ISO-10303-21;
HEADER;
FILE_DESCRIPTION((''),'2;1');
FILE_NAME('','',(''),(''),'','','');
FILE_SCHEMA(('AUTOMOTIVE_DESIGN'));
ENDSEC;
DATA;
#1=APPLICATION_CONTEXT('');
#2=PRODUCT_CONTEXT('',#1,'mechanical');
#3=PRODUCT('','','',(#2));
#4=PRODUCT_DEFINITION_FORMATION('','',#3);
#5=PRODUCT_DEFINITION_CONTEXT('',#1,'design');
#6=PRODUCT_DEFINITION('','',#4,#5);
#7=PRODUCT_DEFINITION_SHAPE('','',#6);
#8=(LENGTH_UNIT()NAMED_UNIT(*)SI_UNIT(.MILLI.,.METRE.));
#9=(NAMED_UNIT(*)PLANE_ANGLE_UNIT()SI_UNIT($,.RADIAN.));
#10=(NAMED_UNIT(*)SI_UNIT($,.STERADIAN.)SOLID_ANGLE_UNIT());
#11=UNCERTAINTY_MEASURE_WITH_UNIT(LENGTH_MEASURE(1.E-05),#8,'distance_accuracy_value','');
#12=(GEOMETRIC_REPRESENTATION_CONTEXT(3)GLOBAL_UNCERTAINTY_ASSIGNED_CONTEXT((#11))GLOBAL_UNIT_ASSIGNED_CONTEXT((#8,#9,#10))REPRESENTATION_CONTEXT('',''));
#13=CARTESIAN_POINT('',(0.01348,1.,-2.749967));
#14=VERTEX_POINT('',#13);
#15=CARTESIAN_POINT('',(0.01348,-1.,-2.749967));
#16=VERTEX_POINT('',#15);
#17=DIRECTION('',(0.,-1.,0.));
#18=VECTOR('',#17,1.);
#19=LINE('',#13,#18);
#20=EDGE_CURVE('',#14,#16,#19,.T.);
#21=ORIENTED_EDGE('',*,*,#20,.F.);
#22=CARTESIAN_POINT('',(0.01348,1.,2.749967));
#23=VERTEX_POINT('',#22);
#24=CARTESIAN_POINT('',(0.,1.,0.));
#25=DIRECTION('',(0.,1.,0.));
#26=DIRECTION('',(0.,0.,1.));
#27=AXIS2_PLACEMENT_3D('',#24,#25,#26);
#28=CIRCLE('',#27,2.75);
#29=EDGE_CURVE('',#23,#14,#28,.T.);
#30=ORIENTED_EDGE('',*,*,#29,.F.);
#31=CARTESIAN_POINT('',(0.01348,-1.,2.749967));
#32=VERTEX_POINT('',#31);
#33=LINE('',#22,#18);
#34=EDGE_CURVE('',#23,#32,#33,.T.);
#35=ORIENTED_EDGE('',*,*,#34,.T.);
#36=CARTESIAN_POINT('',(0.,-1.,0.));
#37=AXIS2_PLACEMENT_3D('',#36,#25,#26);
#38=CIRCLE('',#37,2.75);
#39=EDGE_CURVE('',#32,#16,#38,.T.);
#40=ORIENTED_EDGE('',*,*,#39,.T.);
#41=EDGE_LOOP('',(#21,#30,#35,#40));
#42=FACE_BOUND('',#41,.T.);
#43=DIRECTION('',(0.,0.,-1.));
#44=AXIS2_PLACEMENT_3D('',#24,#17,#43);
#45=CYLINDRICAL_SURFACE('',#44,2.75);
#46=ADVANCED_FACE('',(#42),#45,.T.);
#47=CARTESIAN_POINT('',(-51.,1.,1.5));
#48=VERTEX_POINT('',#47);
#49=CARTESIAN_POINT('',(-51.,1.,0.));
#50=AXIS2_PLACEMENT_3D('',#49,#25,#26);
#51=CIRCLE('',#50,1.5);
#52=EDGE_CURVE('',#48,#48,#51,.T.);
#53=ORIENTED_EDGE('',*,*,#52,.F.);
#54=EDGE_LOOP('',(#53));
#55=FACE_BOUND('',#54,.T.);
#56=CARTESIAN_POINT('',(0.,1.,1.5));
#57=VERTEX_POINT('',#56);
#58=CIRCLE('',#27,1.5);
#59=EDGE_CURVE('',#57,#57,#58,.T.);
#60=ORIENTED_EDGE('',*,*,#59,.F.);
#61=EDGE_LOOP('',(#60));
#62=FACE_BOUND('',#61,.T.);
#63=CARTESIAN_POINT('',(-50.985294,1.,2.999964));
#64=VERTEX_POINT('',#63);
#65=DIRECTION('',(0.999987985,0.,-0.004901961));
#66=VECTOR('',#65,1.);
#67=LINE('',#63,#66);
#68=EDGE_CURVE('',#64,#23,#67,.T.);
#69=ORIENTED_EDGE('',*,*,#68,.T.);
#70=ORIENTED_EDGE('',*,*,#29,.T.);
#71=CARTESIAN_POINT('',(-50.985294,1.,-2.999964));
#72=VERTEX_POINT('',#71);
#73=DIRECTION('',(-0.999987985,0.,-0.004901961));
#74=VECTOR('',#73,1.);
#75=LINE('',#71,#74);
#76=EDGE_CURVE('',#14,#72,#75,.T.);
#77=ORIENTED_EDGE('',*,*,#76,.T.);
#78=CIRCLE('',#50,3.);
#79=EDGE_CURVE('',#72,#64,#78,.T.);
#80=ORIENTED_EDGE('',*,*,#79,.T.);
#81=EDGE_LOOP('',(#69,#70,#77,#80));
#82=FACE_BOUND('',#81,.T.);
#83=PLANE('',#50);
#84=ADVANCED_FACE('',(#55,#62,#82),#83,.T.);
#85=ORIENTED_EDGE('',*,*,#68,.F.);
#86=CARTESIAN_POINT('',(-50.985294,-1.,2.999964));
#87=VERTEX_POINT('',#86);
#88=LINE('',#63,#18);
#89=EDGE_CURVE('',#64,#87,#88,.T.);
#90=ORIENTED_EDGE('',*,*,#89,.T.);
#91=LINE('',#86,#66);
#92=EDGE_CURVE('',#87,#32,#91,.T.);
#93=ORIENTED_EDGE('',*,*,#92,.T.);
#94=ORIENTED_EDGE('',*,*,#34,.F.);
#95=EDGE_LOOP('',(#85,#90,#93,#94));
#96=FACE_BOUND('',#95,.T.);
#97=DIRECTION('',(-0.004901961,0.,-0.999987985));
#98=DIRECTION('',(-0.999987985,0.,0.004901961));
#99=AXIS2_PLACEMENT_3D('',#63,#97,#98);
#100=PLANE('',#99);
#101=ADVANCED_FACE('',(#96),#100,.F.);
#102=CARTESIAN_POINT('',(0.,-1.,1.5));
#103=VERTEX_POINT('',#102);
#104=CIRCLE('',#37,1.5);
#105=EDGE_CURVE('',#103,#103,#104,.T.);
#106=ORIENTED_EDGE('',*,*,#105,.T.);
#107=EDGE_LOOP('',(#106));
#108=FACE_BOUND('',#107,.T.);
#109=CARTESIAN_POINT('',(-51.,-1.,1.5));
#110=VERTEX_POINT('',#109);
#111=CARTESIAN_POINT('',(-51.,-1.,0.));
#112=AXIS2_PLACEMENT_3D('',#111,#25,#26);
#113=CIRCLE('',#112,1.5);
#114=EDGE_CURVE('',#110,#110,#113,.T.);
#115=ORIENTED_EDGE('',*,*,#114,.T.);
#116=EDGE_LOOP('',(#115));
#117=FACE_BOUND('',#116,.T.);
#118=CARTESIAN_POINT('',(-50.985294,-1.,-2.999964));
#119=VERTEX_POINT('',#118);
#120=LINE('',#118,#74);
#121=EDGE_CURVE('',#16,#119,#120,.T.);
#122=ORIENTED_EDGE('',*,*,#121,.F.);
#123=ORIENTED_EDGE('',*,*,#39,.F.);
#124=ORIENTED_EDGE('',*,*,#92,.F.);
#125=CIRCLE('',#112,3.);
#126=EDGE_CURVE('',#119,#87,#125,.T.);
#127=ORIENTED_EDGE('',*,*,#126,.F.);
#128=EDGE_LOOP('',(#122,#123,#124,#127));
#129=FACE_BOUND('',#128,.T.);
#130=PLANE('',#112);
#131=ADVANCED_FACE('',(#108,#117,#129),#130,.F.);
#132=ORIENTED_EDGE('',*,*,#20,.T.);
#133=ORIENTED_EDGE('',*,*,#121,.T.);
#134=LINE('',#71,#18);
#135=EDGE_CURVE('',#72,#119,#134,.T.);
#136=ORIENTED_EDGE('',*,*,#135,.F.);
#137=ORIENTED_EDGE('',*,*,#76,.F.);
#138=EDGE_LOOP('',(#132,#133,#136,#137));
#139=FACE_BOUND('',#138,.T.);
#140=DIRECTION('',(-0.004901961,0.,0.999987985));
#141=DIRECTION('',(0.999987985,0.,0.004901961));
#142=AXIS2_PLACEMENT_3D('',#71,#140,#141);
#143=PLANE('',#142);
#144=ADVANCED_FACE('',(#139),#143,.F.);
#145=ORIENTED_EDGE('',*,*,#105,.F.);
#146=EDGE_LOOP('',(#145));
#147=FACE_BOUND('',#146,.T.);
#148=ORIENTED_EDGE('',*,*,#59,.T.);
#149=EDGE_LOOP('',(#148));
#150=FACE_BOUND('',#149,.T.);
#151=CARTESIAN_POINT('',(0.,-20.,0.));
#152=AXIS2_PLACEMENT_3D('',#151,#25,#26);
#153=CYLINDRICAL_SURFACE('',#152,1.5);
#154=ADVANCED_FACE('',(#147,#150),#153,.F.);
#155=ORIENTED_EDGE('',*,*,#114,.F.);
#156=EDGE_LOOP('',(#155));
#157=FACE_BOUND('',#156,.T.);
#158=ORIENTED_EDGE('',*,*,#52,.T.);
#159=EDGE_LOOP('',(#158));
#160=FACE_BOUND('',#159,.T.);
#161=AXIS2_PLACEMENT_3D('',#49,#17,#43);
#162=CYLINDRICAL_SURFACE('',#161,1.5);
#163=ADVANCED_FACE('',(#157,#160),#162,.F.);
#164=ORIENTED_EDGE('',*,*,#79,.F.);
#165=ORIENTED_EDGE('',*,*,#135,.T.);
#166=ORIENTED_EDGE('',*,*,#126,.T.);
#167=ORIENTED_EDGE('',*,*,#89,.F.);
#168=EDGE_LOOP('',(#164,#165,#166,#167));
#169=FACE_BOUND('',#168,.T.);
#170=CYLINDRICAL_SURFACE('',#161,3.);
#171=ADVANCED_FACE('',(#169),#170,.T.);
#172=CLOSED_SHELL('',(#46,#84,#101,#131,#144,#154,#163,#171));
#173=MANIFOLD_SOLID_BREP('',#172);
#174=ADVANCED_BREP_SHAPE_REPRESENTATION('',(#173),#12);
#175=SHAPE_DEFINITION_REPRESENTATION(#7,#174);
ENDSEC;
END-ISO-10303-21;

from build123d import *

# Parameters (mm, degrees)
SKETCH1_R           = 1.5
BOSS_EXTRUDE1_DEPTH = 20
SKETCH2_R           = 1.5
BOSS_EXTRUDE2_DEPTH = 1
SKETCH3_R           = 1.5
CUT_EXTRUDE1_DEPTH  = 68.268120235


with BuildPart() as part:
    # Sketch1 → Boss-Extrude1 (new, symmetric)
    with BuildSketch(Plane(origin=(0, 0, 0), x_dir=(1, 0, 0), z_dir=(0, 1, 0))):
        with Locations(Location((0, 0, 0), (0, 0, 270))):
            Circle(SKETCH1_R)
    extrude(amount=BOSS_EXTRUDE1_DEPTH, both=True)

    # Sketch2 → Boss-Extrude2 (add, symmetric)
    with BuildSketch(Plane(origin=(0, 0, 0), x_dir=(1, 0, 0), z_dir=(0, 1, 0))):
        with BuildLine():
            Line((-50.985294118, 2.999963956), (0.013480392, 2.74996696))
            ThreePointArc((0.013480392, 2.74996696), (2.75, 0), (0.013480392, -2.74996696))
            Line((0.013480392, -2.74996696), (-50.985294118, -2.999963956))
            ThreePointArc((-50.985294118, -2.999963956), (-54, 0), (-50.985294118, 2.999963956))
        make_face()
        with Locations(Location((-51, 0, 0), (0, 0, 270))):
            Circle(SKETCH2_R, mode=Mode.SUBTRACT)
    extrude(amount=BOSS_EXTRUDE2_DEPTH, both=True)

    # Sketch3 → Cut-Extrude1 (cut, through all)
    with BuildSketch(Plane(origin=(0, 20, 0), x_dir=(1, 0, 0), z_dir=(0, 1, 0))):
        with Locations(Location((0, 0, 0), (0, 0, 270))):
            Circle(SKETCH3_R)
    extrude(amount=-CUT_EXTRUDE1_DEPTH, mode=Mode.SUBTRACT)


solid = part.part
